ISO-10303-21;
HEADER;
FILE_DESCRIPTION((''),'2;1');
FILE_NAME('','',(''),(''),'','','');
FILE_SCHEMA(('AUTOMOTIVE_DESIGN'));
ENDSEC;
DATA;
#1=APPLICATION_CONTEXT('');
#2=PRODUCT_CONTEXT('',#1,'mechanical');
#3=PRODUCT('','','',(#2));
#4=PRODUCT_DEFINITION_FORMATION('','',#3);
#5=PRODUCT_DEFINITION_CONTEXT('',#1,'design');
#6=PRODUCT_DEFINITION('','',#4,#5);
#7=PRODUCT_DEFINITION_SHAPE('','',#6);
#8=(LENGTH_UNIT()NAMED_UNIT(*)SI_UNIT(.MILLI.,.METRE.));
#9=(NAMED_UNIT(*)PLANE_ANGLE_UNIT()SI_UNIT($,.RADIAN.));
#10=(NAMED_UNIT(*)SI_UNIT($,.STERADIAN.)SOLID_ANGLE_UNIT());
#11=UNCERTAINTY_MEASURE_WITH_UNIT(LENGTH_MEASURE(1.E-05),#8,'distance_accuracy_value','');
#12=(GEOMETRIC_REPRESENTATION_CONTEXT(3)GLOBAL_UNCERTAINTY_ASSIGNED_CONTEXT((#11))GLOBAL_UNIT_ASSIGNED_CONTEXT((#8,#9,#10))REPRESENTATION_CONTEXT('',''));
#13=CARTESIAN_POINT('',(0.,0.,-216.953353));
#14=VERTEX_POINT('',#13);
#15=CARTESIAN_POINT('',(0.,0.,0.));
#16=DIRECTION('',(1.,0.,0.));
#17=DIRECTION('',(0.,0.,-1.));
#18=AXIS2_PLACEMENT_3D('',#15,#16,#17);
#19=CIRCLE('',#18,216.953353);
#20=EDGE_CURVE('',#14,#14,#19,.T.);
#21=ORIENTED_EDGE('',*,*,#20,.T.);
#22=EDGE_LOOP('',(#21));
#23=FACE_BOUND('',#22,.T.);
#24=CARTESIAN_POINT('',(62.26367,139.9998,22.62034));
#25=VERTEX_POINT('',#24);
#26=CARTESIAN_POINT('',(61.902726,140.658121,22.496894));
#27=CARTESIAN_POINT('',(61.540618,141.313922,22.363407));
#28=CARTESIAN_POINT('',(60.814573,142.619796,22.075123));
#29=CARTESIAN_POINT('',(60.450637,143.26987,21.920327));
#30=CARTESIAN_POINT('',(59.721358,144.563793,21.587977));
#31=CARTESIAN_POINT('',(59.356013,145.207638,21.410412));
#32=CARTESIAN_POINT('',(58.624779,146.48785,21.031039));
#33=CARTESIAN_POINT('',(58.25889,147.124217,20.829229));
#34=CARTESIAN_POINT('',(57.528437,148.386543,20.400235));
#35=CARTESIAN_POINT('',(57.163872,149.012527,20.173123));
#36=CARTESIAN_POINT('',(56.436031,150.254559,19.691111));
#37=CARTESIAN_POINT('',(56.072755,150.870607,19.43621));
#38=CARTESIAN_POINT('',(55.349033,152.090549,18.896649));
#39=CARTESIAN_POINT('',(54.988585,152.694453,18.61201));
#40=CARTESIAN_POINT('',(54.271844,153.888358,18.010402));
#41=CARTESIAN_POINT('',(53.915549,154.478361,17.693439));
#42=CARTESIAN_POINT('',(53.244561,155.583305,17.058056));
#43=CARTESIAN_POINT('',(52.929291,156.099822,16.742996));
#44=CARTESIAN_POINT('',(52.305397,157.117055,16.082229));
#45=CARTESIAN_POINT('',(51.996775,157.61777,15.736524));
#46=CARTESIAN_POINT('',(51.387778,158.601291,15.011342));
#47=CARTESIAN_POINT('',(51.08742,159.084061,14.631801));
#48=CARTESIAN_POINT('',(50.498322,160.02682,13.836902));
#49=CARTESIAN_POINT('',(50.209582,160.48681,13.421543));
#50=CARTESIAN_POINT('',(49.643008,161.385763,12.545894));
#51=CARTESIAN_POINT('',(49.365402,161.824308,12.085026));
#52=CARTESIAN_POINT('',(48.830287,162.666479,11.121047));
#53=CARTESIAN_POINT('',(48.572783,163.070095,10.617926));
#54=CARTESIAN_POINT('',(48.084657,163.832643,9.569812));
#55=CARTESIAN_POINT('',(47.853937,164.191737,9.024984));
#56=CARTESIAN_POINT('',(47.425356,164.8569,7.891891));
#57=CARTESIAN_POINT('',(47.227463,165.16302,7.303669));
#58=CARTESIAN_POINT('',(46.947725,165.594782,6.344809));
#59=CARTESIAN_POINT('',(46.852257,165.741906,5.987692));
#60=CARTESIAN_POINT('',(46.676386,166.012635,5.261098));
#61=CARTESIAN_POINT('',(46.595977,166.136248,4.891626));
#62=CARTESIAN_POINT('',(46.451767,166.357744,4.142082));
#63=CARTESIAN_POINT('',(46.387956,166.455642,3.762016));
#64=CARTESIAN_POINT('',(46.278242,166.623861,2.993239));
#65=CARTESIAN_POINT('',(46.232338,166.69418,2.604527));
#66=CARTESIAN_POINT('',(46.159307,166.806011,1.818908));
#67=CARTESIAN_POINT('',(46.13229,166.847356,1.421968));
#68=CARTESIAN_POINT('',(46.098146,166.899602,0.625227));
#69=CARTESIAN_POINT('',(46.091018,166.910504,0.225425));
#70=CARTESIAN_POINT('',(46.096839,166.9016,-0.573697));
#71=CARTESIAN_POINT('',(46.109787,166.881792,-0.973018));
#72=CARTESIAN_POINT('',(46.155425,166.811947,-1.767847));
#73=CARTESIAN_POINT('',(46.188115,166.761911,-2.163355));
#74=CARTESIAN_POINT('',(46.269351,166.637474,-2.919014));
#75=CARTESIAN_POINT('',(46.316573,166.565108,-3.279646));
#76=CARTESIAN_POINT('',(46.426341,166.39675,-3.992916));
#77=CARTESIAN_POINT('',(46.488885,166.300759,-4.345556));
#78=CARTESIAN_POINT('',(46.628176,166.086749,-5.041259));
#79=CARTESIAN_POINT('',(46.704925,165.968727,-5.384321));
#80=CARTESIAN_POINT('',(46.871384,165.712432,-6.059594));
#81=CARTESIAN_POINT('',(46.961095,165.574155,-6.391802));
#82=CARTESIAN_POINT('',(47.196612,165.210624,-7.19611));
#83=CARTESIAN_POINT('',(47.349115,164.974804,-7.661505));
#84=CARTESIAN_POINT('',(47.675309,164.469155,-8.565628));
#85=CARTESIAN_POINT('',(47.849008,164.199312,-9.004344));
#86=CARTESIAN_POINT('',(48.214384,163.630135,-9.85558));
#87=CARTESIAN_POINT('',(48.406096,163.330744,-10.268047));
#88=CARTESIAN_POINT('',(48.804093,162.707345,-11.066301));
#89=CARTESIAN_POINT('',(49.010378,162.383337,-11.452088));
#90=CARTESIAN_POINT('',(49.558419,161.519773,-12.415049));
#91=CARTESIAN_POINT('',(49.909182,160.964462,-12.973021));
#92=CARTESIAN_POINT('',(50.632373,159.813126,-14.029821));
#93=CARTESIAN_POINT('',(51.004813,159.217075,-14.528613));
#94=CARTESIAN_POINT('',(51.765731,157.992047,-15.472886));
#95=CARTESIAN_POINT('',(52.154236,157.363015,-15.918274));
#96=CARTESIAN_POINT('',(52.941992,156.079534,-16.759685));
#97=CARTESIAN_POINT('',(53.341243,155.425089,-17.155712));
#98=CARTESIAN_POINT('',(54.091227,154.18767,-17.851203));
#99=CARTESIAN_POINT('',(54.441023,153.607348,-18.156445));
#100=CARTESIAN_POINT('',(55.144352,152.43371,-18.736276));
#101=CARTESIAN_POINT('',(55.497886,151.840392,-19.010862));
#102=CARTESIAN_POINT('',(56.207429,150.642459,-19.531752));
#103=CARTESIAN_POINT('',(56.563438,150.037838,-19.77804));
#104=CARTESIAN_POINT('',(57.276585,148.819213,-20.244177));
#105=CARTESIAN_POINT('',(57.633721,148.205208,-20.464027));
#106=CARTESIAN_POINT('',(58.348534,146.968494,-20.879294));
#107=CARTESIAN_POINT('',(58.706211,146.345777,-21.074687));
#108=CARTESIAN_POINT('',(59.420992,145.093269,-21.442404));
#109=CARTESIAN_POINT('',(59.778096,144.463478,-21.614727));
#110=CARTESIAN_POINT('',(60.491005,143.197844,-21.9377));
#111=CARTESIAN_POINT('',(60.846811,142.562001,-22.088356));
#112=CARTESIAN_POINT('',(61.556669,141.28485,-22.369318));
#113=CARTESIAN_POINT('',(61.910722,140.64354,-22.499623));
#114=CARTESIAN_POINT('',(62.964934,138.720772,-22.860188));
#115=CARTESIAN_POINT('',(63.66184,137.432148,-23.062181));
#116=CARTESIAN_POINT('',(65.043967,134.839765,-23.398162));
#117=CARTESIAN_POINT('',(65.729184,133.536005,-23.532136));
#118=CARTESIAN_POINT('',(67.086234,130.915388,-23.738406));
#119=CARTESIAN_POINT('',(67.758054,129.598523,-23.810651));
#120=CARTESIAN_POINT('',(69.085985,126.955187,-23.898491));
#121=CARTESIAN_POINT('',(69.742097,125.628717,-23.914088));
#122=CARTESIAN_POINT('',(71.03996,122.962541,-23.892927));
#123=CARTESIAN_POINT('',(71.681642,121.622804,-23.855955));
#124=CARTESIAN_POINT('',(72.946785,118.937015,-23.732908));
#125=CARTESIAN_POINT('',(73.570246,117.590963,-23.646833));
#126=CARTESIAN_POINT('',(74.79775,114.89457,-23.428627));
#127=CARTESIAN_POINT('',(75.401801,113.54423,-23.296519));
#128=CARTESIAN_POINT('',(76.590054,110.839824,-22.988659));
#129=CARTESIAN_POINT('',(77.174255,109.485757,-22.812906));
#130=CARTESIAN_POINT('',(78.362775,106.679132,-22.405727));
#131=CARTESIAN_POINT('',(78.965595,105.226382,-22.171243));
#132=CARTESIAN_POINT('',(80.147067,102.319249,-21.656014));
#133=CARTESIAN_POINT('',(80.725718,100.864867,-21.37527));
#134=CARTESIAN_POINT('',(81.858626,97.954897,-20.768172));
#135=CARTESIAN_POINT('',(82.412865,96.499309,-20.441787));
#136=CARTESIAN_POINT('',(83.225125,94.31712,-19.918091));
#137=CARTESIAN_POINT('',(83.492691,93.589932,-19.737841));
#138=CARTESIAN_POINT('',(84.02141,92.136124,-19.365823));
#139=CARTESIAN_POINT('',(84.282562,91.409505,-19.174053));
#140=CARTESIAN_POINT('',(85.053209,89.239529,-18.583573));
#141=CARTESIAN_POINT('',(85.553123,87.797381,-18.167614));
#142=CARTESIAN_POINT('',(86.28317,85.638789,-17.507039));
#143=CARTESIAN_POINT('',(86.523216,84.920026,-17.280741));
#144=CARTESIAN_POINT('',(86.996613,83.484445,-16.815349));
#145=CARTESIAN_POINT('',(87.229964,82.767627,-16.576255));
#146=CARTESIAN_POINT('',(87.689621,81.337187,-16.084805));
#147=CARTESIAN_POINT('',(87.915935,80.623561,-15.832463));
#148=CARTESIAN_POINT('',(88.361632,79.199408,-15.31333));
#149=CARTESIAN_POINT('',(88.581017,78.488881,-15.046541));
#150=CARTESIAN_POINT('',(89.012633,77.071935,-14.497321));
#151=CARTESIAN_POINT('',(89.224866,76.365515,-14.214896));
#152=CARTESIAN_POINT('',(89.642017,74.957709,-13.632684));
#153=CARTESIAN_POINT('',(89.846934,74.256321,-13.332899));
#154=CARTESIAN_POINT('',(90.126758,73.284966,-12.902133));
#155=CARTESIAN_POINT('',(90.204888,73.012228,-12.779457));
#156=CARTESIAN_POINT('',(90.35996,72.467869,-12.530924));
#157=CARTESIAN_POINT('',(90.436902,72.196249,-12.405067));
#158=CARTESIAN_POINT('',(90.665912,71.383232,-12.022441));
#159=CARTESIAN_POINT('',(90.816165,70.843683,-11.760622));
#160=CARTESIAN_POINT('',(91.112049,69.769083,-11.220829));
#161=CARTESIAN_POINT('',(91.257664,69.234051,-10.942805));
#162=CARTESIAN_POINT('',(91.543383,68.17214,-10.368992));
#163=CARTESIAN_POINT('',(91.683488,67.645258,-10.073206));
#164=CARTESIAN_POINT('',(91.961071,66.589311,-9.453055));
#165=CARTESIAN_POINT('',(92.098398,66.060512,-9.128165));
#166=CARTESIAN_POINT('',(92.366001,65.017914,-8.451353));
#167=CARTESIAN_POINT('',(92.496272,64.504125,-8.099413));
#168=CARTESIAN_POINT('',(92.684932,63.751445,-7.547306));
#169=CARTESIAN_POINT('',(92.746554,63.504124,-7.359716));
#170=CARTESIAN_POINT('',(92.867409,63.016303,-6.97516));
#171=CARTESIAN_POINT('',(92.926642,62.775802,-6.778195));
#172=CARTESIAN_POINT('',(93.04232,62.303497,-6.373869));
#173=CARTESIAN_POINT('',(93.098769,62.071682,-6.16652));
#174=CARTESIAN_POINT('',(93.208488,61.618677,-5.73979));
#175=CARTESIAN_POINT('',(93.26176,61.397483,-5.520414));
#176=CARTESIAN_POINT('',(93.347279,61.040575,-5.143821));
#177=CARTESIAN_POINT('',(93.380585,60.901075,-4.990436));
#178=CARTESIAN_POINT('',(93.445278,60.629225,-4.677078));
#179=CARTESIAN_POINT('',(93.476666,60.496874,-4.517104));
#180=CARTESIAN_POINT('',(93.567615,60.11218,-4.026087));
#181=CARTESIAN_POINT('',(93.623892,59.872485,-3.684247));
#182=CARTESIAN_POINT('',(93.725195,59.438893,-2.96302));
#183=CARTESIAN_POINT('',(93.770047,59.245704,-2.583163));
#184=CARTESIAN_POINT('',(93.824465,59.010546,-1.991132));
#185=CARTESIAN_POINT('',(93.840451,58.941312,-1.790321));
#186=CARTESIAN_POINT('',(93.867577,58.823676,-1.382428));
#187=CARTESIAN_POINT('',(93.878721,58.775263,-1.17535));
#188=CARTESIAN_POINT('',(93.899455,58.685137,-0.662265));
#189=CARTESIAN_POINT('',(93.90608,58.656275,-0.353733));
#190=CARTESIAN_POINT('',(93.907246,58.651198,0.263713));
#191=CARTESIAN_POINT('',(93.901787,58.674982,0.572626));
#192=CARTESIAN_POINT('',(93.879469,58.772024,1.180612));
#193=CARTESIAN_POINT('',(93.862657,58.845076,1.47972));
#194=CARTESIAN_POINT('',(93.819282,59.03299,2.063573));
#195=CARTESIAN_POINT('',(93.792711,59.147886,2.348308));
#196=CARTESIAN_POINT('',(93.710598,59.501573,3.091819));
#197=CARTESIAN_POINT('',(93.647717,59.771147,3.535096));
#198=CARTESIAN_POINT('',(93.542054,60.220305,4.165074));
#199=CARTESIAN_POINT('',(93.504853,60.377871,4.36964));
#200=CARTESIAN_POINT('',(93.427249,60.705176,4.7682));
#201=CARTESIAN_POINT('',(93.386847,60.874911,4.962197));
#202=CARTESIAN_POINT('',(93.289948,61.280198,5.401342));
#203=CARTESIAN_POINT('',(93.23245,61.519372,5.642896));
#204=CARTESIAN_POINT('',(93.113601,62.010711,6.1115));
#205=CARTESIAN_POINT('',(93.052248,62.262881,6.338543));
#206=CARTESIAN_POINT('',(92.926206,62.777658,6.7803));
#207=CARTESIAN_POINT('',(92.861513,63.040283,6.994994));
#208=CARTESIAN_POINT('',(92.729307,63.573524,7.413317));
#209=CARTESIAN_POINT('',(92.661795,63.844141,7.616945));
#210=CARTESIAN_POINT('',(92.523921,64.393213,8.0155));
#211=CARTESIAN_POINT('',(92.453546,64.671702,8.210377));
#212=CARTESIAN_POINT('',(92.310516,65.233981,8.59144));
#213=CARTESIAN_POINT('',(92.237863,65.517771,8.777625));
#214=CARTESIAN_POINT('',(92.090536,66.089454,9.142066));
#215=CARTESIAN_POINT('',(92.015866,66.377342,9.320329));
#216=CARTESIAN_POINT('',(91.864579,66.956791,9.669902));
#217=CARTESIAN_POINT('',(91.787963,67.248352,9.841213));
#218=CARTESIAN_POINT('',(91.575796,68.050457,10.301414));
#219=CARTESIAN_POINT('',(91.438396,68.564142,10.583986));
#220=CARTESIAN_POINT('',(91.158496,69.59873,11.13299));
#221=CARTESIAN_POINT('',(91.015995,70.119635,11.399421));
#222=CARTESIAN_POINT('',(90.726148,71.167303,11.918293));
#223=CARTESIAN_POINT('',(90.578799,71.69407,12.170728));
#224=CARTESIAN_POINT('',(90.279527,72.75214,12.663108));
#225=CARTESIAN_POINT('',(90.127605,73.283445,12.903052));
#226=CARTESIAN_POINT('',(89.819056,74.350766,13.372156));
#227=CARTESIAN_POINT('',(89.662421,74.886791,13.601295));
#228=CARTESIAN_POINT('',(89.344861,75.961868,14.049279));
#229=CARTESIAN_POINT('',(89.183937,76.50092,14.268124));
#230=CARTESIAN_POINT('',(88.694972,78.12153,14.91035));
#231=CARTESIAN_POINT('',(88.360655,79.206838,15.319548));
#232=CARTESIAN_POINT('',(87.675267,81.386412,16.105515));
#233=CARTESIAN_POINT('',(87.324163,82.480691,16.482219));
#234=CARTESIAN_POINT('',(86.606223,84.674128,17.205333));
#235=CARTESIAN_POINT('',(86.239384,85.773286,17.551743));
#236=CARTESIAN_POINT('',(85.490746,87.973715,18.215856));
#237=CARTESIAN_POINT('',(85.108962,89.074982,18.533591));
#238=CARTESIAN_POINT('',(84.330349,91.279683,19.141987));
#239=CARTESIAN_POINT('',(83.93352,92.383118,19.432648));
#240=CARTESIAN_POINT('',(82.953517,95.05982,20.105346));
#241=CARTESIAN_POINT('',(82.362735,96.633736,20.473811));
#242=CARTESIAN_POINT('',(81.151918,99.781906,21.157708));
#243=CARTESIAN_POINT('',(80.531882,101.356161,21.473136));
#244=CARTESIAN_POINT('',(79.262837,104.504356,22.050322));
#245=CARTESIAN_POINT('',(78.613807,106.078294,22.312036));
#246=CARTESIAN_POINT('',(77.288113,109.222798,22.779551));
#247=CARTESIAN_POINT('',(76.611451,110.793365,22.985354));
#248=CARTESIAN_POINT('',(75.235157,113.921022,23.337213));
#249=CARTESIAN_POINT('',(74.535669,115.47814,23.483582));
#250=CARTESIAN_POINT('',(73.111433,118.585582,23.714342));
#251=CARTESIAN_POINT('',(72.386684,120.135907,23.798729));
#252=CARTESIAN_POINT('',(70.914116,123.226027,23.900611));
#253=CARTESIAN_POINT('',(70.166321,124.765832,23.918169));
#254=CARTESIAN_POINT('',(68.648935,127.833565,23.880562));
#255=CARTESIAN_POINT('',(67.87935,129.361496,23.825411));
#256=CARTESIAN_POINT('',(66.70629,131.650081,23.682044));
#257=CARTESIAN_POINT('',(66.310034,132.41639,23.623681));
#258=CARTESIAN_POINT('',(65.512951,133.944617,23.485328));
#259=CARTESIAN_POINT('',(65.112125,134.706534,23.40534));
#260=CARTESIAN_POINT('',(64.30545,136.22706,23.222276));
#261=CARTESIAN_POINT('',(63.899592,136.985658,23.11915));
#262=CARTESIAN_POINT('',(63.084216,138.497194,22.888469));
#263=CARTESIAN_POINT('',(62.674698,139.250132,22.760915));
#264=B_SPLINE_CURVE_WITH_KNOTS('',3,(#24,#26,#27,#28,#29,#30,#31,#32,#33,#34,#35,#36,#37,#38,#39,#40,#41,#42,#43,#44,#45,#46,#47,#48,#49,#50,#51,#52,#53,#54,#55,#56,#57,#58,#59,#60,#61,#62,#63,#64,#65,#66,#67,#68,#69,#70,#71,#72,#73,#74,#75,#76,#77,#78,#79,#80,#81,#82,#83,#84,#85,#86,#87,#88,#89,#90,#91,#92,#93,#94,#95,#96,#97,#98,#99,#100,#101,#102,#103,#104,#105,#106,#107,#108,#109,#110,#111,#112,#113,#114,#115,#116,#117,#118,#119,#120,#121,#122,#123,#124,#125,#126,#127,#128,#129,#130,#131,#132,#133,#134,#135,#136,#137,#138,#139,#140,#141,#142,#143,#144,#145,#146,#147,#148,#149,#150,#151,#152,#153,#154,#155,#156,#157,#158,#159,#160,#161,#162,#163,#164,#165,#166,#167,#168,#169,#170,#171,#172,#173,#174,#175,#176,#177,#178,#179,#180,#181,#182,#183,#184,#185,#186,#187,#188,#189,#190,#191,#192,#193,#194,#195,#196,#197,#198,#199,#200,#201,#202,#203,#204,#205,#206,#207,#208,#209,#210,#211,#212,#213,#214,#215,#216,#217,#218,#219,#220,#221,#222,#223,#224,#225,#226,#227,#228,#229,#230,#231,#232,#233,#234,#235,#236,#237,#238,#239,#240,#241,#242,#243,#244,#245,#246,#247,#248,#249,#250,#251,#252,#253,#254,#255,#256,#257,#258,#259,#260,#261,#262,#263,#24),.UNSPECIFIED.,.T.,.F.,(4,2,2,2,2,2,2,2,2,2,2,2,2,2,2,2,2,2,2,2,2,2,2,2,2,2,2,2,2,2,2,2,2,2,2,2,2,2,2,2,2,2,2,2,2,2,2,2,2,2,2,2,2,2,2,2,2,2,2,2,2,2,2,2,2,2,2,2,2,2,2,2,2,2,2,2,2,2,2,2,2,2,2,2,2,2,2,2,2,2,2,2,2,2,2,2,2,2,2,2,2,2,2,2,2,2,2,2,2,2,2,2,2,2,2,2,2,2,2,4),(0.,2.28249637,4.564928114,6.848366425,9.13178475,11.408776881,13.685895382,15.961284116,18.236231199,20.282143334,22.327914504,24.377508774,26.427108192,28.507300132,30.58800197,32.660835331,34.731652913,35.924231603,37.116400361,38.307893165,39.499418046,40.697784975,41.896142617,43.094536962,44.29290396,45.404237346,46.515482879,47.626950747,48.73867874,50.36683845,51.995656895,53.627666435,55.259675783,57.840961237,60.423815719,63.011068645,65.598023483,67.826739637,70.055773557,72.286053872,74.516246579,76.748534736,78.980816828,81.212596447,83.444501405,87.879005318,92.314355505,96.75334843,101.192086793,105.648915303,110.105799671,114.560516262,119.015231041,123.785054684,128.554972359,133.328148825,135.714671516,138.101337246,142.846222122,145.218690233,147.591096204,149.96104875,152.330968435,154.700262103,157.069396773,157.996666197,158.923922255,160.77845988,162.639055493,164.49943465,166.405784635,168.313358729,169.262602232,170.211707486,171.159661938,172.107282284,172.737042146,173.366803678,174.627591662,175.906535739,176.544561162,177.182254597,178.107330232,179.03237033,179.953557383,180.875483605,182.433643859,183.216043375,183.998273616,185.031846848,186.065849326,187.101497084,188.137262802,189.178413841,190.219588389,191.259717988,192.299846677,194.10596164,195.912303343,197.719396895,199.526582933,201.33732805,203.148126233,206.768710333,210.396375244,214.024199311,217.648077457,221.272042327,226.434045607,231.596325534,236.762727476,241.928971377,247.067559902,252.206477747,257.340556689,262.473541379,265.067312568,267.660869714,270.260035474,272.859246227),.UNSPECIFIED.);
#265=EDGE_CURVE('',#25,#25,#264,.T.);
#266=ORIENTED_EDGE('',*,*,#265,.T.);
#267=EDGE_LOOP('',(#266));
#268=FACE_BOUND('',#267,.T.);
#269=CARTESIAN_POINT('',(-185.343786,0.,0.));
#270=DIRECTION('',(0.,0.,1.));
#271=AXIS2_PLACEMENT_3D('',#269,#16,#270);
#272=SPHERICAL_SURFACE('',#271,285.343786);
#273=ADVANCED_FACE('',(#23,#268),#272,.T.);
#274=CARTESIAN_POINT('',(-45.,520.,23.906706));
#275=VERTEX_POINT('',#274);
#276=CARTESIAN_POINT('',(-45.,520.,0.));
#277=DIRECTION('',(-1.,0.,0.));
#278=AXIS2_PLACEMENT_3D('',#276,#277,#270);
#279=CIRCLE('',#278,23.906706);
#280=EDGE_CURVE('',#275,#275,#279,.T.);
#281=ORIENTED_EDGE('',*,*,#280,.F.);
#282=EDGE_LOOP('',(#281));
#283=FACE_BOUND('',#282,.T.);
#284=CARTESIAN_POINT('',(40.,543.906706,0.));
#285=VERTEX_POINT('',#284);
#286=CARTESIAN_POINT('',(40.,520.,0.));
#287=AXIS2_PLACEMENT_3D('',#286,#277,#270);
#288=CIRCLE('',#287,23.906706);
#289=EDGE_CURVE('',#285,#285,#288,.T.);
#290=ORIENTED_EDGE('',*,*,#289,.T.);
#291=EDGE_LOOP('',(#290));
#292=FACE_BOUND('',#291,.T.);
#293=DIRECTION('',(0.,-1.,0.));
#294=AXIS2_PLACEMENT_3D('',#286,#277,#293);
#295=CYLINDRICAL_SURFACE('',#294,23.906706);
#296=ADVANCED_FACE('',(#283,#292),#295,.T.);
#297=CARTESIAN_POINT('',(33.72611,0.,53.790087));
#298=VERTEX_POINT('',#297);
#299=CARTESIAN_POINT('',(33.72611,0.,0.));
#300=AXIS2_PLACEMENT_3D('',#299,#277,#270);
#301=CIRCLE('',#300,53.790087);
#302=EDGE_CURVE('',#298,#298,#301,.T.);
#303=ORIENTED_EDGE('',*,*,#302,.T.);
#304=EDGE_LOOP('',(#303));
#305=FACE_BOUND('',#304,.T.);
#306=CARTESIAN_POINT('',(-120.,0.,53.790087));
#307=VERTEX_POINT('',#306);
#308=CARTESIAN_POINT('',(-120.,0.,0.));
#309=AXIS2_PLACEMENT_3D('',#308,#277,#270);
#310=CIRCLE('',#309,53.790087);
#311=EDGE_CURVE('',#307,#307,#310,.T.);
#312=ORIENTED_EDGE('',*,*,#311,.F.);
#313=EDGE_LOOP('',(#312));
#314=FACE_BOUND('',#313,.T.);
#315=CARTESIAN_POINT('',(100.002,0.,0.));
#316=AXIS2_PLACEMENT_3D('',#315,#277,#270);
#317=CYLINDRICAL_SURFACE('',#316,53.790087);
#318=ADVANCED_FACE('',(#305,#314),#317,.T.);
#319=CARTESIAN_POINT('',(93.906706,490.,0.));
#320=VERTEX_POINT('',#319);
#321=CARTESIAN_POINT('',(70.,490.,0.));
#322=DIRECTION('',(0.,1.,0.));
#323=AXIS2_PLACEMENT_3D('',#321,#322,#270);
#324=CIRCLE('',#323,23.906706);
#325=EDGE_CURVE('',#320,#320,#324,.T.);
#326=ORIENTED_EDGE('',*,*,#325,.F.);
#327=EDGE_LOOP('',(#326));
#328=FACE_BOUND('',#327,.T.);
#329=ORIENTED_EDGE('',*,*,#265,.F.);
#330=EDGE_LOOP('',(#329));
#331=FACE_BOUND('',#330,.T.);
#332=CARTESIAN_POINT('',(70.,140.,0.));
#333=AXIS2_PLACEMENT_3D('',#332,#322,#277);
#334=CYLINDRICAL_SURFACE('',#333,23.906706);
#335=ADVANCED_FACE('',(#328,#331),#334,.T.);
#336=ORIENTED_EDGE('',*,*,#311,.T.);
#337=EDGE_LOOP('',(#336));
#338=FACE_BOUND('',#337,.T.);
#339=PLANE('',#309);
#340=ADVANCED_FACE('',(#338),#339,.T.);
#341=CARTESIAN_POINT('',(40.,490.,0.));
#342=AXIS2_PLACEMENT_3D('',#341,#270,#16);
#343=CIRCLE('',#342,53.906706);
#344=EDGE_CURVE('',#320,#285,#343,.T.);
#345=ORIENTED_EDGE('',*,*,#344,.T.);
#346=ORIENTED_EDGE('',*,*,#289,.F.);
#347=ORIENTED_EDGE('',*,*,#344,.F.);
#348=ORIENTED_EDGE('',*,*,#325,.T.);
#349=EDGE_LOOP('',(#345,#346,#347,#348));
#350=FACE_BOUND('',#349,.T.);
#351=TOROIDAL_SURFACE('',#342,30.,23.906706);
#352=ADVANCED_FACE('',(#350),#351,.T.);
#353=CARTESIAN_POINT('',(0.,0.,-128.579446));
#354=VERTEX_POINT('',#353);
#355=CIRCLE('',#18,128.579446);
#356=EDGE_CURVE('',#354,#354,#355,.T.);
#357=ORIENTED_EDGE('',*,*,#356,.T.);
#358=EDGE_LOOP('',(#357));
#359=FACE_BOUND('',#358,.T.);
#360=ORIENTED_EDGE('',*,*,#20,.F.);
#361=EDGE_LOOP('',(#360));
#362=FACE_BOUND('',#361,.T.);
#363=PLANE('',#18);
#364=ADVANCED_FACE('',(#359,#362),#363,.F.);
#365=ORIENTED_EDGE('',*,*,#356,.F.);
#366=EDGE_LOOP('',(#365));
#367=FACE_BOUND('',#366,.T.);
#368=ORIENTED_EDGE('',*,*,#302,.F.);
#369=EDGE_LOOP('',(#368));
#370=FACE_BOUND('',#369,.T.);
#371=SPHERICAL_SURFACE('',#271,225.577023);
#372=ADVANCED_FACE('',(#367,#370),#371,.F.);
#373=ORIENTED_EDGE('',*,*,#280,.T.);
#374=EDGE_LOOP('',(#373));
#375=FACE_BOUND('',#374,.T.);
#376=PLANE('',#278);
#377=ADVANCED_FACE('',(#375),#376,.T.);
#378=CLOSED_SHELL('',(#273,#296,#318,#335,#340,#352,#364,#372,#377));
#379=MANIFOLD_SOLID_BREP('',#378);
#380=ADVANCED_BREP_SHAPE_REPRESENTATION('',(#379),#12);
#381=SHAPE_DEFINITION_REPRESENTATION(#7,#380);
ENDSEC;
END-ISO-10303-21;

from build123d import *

# Parameters (mm, degrees)
SHELL3_T                        = -59.766763848
SKETCH6_R                       = 53.790087464
BOSS_EXTRUDE2_DEPTH             = 120
BOSS_EXTRUDE2_DIRECTION_2_REACH = 102
SKETCH5_R                       = 23.906705539
BOSS_EXTRUDE3_REACH             = 358.953


with BuildPart() as part:
    # Sketch2 → Revolve1 (revolve)
    with BuildSketch(Plane(origin=(0, 0, 0), x_dir=(1, 0, 0), z_dir=(0, 1, 0))):
        with BuildLine():
            Line((0, 0), (0, -216.95335277))
            ThreePointArc((0, -216.95335277), (73.796884119, -119.4453403), (100, 0))
            Line((100, 0), (0, 0))
        make_face()
    revolve(axis=Axis((100, 0, 0), (-1, 0, 0)))

    # Shell3
    shell3_openings = [part.faces().sort_by_distance(p)[0] for p in [
        (0, 0, -216.95335277),
    ]]
    offset(amount=SHELL3_T, openings=shell3_openings, kind=Kind.INTERSECTION)

    # Sketch6 → Boss-Extrude2 (add)
    with BuildSketch(Plane.ZY):
        Circle(SKETCH6_R)
    extrude(amount=BOSS_EXTRUDE2_DEPTH)

    # Sketch6 → Boss-Extrude2 direction 2 (add, up to next)
    with BuildSketch(Plane.ZY, mode=Mode.PRIVATE) as boss_extrude2_direction_2_sk1:
        Circle(SKETCH6_R)
    boss_extrude2_direction_2_tool1 = extrude(boss_extrude2_direction_2_sk1.sketch, amount=-BOSS_EXTRUDE2_DIRECTION_2_REACH, mode=Mode.PRIVATE) - part.part
    add(boss_extrude2_direction_2_tool1.solids().sort_by_distance((0, 0, 0))[0])

    # Sweep2: sweep along a path in Sketch4
    with BuildLine(Plane.XY) as sweep2_path:
        Line((75, 140), (75, 490))
        ThreePointArc((75, 490), (64.748737342, 514.748737342), (40, 525))
        Line((40, 525), (-45, 525))
    # Sketch5 → Sweep2 (sweep)
    with BuildSketch(Plane(origin=(0, 140, 0), x_dir=(1, 0, 0), z_dir=(0, 1, 0))):
        with Locations((70, 0)):
            Circle(SKETCH5_R)
    sweep(path=sweep2_path.line)

    # Sketch7 → Boss-Extrude3 (add, up to next)
    with BuildSketch(Plane.XZ.offset(-140), mode=Mode.PRIVATE) as boss_extrude3_sk1:
        with BuildLine():
            ThreePointArc((62.263560743, -22.620302327), (93.906705539, 0), (62.263560743, 22.620302327))
            ThreePointArc((62.263560743, 22.620302327), (63.29465881, 0), (62.263560743, -22.620302327))
        make_face()
    boss_extrude3_tool1 = extrude(boss_extrude3_sk1.sketch, amount=BOSS_EXTRUDE3_REACH, mode=Mode.PRIVATE) - part.part
    add(boss_extrude3_tool1.solids().sort_by_distance((76.458638, 140, 0))[0])


solid = part.part
